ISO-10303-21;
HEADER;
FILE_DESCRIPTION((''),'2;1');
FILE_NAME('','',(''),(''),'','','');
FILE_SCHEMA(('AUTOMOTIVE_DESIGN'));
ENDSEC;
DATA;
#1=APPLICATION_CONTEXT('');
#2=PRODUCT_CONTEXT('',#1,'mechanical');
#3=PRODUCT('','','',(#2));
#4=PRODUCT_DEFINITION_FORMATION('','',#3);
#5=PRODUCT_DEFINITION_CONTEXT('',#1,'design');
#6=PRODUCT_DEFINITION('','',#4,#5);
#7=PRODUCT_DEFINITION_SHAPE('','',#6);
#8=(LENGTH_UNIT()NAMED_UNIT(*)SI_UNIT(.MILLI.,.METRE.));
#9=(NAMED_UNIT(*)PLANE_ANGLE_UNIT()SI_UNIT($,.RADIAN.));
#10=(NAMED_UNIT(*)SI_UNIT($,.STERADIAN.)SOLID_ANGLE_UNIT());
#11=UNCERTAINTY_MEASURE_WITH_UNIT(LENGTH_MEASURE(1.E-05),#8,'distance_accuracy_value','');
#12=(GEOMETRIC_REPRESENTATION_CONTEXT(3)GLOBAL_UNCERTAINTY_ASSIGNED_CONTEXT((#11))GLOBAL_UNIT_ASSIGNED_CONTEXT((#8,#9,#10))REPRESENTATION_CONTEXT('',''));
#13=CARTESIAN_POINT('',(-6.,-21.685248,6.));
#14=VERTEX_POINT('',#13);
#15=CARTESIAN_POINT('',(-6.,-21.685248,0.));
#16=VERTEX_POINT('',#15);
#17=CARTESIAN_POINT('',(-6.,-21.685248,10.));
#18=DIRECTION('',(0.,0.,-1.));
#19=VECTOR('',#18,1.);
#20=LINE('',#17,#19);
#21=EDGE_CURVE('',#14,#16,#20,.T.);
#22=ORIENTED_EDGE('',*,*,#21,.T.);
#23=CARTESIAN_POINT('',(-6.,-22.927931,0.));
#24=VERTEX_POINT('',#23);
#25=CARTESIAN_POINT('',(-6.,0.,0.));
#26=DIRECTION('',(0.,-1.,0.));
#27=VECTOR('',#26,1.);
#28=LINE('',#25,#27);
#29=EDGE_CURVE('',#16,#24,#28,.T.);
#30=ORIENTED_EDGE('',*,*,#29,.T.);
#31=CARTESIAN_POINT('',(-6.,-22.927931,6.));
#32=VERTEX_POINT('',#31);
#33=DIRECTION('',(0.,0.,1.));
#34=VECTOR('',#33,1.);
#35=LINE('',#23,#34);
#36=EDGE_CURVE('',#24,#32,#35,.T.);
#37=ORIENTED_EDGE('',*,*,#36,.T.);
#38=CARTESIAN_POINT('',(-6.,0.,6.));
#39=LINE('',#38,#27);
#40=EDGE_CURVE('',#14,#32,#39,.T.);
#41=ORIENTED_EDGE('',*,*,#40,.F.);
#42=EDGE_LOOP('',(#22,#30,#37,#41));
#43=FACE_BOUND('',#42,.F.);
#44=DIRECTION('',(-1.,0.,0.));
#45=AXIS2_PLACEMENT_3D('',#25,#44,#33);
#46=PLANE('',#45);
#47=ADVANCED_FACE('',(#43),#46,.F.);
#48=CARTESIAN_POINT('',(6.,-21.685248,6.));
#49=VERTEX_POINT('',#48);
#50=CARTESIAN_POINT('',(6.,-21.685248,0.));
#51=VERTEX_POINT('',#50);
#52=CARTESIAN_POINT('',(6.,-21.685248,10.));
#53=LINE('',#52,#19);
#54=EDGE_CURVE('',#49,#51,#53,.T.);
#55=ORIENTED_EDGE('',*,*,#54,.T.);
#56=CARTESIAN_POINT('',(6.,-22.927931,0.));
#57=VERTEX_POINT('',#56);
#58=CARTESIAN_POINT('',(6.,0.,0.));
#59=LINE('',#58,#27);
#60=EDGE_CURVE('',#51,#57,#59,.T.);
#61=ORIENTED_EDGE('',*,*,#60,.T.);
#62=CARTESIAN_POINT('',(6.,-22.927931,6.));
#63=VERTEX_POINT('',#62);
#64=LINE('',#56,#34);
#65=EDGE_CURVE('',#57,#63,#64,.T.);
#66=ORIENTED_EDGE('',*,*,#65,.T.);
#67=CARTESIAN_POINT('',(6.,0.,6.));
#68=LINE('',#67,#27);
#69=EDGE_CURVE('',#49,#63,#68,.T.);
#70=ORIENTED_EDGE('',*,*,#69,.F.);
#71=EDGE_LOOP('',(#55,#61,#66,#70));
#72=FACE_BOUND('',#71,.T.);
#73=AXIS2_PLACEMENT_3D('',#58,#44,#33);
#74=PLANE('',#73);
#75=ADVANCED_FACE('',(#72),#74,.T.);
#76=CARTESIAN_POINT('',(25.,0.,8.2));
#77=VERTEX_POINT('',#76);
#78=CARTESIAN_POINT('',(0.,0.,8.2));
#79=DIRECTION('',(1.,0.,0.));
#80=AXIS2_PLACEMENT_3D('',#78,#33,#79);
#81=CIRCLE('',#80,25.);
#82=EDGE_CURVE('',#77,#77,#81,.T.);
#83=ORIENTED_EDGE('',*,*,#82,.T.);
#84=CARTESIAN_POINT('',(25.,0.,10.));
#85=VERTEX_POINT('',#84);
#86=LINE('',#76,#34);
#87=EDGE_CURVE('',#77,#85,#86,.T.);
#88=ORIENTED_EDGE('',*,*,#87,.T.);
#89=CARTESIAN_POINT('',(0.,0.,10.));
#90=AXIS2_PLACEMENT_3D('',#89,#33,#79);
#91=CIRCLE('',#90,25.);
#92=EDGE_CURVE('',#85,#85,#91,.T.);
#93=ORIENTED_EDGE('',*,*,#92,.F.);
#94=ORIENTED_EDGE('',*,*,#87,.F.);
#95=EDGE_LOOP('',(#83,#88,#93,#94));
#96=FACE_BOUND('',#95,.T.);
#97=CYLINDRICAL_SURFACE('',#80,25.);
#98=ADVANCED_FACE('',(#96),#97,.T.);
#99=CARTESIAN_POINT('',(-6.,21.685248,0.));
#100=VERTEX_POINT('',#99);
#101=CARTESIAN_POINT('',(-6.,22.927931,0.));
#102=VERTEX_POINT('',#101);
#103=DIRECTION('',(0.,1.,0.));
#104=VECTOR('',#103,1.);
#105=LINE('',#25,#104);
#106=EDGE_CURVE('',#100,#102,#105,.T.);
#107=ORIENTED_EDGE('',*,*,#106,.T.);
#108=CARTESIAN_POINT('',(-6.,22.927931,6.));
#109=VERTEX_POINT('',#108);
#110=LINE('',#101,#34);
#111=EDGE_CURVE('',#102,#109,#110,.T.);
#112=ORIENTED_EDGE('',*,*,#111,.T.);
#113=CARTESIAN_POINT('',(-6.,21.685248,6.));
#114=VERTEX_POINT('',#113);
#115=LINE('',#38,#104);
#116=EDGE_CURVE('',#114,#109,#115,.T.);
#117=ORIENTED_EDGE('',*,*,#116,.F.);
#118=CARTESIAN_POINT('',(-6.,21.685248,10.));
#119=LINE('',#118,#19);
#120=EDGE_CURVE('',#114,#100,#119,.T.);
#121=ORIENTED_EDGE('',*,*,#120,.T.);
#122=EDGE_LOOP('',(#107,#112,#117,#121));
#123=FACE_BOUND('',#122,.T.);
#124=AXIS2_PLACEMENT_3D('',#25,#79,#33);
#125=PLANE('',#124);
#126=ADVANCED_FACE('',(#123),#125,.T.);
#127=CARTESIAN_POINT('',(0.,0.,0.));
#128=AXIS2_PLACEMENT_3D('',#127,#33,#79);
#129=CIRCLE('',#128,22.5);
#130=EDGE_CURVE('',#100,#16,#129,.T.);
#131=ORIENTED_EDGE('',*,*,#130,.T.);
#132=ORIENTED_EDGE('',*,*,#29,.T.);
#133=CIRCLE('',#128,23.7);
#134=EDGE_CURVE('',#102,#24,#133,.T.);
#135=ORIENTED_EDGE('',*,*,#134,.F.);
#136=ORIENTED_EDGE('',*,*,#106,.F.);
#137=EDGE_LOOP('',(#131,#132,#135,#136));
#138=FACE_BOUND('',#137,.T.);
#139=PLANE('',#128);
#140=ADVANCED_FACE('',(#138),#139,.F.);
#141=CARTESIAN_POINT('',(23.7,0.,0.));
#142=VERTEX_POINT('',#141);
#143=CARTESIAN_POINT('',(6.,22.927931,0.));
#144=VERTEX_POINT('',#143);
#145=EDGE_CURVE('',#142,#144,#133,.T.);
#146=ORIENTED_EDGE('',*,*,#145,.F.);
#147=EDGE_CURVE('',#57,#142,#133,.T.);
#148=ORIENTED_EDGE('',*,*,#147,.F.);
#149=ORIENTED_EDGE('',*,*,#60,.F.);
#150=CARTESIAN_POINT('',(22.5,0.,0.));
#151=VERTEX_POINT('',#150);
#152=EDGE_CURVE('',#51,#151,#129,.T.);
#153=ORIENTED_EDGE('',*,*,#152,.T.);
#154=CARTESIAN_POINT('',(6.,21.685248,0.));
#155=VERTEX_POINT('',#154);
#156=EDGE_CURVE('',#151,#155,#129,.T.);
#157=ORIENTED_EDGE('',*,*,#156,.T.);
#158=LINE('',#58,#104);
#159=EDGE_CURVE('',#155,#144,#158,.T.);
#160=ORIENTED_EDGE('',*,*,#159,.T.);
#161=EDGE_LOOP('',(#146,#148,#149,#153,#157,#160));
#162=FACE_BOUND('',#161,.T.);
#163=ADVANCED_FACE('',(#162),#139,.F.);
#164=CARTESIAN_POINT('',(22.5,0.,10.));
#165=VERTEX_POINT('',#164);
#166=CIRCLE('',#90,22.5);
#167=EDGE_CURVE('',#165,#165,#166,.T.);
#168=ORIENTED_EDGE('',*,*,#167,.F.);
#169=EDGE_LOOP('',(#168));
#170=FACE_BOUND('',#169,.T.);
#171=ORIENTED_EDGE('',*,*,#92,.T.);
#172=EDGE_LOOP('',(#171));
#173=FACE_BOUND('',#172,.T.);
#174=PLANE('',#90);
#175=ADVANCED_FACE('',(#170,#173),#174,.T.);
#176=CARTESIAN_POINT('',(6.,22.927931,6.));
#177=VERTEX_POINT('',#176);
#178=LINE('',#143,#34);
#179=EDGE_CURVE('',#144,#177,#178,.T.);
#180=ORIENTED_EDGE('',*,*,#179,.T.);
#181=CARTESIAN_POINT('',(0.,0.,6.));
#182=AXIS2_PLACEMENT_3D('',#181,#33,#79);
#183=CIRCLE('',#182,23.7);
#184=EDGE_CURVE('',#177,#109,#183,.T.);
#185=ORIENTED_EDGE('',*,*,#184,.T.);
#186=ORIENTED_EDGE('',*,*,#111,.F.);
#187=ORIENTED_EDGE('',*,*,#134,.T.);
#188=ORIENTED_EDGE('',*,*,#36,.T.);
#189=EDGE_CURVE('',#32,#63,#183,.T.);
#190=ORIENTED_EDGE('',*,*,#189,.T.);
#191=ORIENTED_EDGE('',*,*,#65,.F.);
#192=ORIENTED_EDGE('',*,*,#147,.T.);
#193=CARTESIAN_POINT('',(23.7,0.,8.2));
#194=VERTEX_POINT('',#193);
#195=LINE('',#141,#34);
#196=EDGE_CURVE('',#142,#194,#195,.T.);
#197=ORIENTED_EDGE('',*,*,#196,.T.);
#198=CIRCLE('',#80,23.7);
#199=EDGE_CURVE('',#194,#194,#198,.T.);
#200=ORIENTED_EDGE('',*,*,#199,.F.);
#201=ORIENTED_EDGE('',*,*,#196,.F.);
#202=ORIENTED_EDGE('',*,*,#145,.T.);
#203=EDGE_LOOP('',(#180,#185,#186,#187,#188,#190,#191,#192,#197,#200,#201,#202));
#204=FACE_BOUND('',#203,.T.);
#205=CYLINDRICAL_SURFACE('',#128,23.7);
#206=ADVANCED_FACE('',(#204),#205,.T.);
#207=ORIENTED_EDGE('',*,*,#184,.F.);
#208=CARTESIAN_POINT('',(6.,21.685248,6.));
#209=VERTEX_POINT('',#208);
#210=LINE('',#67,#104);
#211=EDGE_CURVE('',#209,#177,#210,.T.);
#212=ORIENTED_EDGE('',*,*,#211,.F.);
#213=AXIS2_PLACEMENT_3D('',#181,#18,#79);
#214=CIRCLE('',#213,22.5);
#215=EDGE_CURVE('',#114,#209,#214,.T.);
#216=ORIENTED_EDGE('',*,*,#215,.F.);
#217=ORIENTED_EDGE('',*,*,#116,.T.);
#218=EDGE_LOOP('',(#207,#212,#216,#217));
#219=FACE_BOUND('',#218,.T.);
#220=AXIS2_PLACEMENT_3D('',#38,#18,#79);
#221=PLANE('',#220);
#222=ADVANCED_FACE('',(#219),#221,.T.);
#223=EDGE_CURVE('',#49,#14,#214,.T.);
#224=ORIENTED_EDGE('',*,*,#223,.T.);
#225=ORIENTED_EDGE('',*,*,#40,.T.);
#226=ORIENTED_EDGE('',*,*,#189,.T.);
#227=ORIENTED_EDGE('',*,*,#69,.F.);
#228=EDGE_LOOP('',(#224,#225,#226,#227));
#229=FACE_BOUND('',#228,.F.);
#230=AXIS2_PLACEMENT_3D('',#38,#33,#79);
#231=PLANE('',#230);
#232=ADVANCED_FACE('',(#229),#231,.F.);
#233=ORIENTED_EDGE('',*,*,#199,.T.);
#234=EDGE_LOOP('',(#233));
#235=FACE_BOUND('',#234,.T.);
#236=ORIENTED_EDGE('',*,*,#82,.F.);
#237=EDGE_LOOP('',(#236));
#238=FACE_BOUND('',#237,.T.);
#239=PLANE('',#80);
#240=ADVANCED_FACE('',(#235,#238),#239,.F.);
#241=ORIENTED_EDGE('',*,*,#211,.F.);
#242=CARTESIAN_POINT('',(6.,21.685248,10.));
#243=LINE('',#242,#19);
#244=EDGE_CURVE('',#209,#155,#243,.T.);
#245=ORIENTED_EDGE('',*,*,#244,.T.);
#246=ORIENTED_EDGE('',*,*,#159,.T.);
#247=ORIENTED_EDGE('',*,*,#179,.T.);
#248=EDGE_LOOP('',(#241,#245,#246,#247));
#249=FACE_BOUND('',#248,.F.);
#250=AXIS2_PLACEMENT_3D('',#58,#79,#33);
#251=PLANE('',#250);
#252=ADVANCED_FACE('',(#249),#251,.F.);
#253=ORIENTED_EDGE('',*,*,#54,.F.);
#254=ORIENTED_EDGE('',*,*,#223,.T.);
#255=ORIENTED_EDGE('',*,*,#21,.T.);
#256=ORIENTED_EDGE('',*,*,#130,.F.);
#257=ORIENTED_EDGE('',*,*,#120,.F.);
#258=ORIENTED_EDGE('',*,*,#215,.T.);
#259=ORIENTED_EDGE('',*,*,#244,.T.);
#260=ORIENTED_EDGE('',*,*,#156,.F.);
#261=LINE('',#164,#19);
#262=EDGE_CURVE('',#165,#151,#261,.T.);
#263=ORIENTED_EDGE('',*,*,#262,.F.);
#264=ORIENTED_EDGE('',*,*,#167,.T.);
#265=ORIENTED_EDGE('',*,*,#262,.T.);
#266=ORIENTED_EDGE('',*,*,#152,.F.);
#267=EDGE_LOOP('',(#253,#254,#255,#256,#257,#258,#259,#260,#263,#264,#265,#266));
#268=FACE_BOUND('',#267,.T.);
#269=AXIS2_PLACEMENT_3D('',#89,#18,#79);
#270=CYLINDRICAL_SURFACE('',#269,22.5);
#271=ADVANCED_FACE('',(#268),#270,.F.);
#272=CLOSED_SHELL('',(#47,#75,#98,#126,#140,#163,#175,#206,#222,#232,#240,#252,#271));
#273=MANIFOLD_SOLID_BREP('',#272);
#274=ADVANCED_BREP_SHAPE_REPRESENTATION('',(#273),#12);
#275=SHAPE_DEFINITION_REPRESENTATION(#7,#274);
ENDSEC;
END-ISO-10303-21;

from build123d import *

# Parameters (mm, degrees)
F2_W          = 12
F2_H          = 6
F3_DEPTH      = 25.001
F3_DEPTH_BACK = 25.001


with BuildPart() as f1:
    # F0 (on Front) → F1 (revolve)
    with BuildSketch(Plane.XZ):
        Polygon((22.5, 10), (22.5, 0), (23.7, 0), (23.7, 8.2), (25, 8.2), (25, 10), align=None)
    revolve(axis=Axis((0, 0, 8.0395), (0, 0, 1)))

    # F2 (on Front) → F3 (cut, two sides)
    with BuildSketch(Plane.XZ) as f3_sk:
        with Locations((0, 3)):
            Rectangle(F2_W, F2_H)
    extrude(amount=-F3_DEPTH, mode=Mode.SUBTRACT)
    extrude(f3_sk.sketch, amount=F3_DEPTH_BACK, mode=Mode.SUBTRACT)


solid = f1.part
